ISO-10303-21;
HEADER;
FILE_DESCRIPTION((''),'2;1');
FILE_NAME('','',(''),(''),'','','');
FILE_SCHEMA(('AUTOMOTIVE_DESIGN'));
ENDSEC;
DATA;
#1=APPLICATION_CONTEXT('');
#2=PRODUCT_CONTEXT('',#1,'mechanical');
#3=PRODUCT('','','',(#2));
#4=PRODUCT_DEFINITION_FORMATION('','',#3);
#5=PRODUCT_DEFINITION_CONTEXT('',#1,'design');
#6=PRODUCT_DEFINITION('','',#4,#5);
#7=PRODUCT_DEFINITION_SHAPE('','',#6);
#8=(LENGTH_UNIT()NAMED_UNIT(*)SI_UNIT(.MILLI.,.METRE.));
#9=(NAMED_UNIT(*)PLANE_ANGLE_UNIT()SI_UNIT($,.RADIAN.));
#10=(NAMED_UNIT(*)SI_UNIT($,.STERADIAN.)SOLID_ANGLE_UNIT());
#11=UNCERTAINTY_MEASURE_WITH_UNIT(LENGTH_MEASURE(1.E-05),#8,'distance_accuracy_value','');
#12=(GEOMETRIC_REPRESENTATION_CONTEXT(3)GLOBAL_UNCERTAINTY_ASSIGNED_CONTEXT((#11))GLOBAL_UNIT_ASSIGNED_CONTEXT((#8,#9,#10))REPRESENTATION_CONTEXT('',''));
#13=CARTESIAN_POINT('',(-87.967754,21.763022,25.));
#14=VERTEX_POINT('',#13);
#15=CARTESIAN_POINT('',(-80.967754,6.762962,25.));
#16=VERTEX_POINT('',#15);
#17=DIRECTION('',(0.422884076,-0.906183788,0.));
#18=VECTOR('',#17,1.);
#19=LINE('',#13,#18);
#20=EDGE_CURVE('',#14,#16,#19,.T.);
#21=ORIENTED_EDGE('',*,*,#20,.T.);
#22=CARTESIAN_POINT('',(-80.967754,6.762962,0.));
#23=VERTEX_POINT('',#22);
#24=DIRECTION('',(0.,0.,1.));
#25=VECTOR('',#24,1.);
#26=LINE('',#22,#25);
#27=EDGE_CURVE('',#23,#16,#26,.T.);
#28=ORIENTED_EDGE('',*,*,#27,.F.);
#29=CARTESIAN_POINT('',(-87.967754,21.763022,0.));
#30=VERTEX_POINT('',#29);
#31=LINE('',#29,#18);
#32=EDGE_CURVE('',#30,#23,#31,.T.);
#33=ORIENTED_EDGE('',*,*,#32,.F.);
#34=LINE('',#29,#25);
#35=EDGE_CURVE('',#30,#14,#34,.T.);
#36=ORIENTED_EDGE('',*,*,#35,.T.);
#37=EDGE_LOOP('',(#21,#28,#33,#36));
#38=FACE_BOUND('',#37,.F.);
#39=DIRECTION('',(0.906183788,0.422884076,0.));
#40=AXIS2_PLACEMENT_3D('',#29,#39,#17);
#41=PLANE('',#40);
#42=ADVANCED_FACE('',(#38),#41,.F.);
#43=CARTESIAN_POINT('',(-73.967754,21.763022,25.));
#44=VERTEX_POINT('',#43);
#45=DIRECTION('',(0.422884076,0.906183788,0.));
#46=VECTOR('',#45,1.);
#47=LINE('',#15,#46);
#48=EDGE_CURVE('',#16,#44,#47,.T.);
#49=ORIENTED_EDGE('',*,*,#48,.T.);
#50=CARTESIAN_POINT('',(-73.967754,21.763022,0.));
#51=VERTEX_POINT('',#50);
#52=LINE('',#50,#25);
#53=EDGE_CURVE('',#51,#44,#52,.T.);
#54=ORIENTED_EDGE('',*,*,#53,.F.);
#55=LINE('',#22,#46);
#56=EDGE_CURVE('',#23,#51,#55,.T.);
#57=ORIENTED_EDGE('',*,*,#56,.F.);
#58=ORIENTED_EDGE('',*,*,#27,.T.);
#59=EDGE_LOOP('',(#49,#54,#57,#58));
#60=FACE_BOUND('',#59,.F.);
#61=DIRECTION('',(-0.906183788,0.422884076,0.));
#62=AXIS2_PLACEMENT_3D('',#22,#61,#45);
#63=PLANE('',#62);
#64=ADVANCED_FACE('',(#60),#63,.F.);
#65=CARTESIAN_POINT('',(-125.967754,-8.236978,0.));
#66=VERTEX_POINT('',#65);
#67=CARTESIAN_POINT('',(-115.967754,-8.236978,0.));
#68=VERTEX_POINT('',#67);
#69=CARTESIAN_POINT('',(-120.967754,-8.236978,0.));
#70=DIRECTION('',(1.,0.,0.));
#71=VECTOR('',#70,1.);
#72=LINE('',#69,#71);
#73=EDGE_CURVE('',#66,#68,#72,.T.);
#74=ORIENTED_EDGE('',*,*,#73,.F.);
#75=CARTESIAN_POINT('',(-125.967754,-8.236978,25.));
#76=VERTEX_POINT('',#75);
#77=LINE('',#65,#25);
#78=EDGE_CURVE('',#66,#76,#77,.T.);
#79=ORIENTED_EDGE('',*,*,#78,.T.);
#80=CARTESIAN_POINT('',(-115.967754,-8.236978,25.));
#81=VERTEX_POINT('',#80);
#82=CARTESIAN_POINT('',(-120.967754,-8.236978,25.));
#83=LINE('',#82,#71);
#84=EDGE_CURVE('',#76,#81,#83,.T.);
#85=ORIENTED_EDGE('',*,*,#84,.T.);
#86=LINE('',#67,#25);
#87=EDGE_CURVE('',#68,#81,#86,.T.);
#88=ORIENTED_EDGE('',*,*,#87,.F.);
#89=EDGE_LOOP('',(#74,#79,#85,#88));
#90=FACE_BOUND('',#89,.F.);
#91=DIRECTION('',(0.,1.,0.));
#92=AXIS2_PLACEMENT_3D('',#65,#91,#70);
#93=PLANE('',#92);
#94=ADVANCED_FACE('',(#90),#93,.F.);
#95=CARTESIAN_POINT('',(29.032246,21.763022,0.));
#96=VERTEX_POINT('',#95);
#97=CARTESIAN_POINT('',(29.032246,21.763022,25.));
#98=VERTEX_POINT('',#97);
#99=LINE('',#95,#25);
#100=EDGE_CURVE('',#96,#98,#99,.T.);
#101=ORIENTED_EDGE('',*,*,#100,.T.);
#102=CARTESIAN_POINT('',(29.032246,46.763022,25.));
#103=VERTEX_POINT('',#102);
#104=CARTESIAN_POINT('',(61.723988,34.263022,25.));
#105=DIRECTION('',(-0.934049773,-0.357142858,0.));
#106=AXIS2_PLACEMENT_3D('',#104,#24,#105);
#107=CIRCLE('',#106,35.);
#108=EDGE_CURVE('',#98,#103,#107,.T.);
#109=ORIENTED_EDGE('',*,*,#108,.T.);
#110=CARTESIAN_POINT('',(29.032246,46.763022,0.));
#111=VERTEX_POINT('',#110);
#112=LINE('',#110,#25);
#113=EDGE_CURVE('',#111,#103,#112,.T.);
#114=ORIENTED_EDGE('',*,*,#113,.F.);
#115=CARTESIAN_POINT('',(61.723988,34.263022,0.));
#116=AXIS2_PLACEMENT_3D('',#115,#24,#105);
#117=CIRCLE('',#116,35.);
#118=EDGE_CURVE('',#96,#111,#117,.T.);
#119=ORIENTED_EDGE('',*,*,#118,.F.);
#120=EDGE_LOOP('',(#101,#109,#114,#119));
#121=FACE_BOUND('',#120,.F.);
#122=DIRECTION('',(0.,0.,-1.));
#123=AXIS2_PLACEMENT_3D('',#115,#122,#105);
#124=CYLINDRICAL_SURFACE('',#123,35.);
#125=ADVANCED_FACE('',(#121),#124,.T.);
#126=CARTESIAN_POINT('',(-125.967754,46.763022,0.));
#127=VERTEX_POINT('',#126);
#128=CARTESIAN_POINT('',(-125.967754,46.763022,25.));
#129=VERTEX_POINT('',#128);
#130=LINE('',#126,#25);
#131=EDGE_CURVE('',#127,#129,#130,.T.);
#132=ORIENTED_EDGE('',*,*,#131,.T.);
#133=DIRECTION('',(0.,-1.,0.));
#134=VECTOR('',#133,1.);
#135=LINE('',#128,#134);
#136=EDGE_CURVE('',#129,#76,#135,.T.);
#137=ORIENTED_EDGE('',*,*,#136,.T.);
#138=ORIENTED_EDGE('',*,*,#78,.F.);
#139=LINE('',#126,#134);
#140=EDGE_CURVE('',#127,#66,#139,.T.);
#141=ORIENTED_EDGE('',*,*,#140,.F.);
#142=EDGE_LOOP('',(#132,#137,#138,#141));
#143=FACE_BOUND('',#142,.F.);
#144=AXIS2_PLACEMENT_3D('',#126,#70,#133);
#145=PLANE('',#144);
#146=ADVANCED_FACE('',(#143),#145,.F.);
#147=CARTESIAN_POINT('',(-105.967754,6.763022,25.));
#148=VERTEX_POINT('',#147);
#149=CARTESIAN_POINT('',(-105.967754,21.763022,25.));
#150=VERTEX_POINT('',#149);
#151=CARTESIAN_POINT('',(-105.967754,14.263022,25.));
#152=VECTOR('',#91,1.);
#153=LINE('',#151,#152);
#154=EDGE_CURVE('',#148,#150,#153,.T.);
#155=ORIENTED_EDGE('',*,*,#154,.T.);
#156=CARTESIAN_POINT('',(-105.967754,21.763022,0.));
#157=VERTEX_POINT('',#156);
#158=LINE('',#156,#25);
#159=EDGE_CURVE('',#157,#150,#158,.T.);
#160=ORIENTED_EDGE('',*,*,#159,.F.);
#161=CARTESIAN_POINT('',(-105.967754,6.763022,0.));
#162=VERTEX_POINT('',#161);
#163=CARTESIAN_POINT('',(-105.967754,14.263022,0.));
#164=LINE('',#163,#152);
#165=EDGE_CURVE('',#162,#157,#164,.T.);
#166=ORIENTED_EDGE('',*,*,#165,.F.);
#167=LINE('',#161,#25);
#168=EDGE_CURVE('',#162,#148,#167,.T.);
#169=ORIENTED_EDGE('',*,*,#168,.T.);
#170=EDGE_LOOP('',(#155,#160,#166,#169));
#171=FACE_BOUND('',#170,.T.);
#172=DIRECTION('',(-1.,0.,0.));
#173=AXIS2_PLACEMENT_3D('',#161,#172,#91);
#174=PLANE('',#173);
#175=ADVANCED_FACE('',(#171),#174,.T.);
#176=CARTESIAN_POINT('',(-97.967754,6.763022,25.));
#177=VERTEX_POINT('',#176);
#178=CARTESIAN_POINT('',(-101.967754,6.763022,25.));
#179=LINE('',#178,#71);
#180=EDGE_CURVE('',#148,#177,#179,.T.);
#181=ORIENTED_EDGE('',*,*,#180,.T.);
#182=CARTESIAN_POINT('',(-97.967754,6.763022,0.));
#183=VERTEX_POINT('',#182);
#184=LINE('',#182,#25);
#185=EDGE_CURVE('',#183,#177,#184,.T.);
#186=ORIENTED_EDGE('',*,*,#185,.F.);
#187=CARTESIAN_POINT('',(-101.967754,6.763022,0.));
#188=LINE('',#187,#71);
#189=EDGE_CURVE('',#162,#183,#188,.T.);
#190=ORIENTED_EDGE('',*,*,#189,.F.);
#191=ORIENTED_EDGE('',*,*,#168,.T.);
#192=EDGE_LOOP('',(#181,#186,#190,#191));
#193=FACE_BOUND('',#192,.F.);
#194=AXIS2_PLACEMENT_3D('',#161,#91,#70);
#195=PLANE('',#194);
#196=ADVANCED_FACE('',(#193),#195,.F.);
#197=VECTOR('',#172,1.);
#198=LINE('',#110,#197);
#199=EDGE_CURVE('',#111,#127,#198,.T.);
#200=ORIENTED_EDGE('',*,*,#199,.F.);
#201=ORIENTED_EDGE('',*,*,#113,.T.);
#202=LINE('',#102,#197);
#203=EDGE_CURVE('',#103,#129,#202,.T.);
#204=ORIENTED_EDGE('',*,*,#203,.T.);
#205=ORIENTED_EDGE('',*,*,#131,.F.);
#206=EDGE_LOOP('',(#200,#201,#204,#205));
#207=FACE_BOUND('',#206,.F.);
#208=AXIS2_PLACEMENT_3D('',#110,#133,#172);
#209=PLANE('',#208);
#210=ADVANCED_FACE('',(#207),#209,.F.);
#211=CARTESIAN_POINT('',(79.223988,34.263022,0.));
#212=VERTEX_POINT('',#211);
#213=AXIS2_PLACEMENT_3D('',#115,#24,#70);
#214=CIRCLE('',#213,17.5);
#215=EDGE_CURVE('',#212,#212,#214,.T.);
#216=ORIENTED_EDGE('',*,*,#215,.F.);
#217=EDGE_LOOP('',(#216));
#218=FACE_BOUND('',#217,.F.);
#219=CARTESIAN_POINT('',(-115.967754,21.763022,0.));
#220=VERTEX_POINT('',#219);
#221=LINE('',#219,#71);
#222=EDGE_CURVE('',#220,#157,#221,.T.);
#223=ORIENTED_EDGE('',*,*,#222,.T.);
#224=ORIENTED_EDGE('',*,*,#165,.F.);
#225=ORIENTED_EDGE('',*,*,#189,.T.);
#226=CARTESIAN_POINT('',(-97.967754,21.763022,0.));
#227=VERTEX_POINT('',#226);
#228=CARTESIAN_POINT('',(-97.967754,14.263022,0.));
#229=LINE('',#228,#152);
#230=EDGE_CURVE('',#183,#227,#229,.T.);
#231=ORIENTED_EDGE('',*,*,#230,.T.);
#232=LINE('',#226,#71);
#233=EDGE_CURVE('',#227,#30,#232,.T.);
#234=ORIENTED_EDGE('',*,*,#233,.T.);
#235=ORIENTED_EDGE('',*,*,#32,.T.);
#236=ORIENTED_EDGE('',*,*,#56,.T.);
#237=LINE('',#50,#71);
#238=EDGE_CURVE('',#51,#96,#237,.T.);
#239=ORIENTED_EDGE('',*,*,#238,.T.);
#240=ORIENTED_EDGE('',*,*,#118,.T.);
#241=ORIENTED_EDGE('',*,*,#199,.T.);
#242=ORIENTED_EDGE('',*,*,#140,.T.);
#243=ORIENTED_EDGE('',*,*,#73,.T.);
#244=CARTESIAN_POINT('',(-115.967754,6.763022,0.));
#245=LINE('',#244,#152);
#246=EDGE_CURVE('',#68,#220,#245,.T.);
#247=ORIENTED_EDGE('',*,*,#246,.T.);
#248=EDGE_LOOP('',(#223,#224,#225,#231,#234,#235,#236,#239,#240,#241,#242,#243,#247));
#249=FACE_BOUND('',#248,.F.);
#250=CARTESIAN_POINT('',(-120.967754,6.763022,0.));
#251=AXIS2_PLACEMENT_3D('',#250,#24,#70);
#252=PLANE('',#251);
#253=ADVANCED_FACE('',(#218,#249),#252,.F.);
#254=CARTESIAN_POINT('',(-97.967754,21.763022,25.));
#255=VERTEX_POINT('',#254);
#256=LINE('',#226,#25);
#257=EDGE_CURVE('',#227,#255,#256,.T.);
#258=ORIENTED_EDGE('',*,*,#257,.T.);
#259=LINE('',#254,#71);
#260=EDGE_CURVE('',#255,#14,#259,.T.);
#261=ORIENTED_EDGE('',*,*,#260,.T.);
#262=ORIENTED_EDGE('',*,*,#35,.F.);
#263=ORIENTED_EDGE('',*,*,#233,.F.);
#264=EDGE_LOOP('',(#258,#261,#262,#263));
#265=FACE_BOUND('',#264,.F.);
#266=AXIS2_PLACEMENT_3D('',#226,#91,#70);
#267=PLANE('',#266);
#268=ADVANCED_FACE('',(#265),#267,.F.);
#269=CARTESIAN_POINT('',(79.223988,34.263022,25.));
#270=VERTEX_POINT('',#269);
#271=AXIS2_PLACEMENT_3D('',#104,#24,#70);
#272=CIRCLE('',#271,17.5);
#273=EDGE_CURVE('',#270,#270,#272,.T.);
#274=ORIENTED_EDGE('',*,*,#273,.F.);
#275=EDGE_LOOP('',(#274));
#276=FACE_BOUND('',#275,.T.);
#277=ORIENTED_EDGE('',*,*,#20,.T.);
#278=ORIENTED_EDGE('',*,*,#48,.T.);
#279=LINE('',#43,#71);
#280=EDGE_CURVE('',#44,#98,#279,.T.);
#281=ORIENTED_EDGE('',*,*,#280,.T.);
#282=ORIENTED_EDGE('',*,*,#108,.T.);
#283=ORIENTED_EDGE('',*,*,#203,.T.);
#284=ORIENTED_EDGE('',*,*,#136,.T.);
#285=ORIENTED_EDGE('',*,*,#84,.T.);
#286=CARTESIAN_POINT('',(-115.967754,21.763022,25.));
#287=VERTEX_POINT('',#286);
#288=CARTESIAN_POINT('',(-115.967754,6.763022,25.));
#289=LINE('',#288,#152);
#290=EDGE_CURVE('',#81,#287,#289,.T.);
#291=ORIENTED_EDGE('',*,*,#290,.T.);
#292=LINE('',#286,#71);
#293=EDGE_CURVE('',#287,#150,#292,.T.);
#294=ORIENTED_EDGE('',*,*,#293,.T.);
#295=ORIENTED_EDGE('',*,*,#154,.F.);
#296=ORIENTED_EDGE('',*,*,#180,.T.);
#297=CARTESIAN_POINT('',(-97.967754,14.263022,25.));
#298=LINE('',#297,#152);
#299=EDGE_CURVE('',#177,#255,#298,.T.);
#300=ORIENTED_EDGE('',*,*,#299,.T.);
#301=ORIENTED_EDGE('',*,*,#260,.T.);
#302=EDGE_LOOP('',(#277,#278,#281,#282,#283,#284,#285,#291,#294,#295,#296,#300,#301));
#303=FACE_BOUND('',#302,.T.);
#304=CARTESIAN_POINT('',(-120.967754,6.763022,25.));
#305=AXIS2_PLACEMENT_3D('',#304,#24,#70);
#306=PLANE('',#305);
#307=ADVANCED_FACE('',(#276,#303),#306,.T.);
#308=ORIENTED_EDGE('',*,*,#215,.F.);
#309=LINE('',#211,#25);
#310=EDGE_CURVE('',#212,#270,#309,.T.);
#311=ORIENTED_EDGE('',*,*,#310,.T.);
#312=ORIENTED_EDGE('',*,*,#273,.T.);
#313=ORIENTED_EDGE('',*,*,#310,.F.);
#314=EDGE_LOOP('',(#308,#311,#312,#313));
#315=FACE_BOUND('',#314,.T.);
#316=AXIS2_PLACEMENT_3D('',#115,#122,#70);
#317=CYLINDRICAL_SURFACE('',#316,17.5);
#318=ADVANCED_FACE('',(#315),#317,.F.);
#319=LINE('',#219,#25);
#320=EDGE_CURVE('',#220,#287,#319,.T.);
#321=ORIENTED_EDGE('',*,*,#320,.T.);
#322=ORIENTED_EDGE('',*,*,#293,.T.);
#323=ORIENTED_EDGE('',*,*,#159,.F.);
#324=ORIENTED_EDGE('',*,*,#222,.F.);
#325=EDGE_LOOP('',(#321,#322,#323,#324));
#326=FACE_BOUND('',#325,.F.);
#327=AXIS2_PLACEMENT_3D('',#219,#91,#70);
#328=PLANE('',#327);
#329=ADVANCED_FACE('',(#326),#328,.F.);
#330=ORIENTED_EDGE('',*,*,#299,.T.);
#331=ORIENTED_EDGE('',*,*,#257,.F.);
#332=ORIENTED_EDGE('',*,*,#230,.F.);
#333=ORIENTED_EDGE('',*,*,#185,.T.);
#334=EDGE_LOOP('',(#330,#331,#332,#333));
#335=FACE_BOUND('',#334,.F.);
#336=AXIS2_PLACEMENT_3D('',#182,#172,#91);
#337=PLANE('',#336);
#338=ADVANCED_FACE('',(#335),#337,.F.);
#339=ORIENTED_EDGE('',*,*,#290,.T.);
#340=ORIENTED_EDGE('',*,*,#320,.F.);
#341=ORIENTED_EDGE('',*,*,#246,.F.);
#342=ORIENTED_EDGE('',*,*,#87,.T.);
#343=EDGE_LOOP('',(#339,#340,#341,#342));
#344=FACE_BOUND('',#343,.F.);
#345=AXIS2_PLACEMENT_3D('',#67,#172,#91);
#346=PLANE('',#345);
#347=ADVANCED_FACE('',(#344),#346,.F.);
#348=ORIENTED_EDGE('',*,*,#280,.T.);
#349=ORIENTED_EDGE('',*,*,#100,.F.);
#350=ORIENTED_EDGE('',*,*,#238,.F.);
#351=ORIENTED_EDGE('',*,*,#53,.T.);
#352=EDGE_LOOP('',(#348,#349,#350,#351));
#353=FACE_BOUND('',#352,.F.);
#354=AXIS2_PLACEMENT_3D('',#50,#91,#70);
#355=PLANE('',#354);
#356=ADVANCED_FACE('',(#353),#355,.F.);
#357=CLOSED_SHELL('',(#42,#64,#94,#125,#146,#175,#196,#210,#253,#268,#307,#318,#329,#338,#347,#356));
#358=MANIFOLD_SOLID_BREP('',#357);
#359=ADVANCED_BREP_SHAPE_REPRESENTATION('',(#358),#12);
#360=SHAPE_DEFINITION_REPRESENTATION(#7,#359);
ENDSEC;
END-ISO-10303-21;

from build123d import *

# Parameters (mm, degrees)
F0_W     = 10
F0_H     = 30
F0_W_2   = 8
F0_H_2   = 15
F0_R     = 17.5
F1_DEPTH = 25


with BuildPart() as f1:
    # F0 (on Top) → F1 (new body)
    with BuildSketch(Plane.XY):
        with Locations((-120.967754, 6.763022)):
            Rectangle(F0_W, F0_H)
        with Locations((-101.967754, 14.263022)):
            Rectangle(F0_W_2, F0_H_2)
        Polygon((-80.967754, 6.762962), (-73.967754, 21.763022), (-87.967754, 21.763022), align=None)
        Polygon((29.032246, 46.763022), (-125.967754, 46.763022), (-125.967754, 21.763022), (-115.967754, 21.763022), (-105.967754, 21.763022), (-97.967754, 21.763022), (-87.967754, 21.763022), (-73.967754, 21.763022), (29.032246, 21.763022), align=None)
        with BuildLine():
            ThreePointArc((29.032246, 21.763022), (96.723988, 34.263022), (29.032246, 46.763022))
            Line((29.032246, 46.763022), (29.032246, 21.763022))
        make_face()
        with Locations((61.723988, 34.263022)):
            Circle(F0_R, mode=Mode.SUBTRACT)
    extrude(amount=F1_DEPTH)


solid = f1.part
